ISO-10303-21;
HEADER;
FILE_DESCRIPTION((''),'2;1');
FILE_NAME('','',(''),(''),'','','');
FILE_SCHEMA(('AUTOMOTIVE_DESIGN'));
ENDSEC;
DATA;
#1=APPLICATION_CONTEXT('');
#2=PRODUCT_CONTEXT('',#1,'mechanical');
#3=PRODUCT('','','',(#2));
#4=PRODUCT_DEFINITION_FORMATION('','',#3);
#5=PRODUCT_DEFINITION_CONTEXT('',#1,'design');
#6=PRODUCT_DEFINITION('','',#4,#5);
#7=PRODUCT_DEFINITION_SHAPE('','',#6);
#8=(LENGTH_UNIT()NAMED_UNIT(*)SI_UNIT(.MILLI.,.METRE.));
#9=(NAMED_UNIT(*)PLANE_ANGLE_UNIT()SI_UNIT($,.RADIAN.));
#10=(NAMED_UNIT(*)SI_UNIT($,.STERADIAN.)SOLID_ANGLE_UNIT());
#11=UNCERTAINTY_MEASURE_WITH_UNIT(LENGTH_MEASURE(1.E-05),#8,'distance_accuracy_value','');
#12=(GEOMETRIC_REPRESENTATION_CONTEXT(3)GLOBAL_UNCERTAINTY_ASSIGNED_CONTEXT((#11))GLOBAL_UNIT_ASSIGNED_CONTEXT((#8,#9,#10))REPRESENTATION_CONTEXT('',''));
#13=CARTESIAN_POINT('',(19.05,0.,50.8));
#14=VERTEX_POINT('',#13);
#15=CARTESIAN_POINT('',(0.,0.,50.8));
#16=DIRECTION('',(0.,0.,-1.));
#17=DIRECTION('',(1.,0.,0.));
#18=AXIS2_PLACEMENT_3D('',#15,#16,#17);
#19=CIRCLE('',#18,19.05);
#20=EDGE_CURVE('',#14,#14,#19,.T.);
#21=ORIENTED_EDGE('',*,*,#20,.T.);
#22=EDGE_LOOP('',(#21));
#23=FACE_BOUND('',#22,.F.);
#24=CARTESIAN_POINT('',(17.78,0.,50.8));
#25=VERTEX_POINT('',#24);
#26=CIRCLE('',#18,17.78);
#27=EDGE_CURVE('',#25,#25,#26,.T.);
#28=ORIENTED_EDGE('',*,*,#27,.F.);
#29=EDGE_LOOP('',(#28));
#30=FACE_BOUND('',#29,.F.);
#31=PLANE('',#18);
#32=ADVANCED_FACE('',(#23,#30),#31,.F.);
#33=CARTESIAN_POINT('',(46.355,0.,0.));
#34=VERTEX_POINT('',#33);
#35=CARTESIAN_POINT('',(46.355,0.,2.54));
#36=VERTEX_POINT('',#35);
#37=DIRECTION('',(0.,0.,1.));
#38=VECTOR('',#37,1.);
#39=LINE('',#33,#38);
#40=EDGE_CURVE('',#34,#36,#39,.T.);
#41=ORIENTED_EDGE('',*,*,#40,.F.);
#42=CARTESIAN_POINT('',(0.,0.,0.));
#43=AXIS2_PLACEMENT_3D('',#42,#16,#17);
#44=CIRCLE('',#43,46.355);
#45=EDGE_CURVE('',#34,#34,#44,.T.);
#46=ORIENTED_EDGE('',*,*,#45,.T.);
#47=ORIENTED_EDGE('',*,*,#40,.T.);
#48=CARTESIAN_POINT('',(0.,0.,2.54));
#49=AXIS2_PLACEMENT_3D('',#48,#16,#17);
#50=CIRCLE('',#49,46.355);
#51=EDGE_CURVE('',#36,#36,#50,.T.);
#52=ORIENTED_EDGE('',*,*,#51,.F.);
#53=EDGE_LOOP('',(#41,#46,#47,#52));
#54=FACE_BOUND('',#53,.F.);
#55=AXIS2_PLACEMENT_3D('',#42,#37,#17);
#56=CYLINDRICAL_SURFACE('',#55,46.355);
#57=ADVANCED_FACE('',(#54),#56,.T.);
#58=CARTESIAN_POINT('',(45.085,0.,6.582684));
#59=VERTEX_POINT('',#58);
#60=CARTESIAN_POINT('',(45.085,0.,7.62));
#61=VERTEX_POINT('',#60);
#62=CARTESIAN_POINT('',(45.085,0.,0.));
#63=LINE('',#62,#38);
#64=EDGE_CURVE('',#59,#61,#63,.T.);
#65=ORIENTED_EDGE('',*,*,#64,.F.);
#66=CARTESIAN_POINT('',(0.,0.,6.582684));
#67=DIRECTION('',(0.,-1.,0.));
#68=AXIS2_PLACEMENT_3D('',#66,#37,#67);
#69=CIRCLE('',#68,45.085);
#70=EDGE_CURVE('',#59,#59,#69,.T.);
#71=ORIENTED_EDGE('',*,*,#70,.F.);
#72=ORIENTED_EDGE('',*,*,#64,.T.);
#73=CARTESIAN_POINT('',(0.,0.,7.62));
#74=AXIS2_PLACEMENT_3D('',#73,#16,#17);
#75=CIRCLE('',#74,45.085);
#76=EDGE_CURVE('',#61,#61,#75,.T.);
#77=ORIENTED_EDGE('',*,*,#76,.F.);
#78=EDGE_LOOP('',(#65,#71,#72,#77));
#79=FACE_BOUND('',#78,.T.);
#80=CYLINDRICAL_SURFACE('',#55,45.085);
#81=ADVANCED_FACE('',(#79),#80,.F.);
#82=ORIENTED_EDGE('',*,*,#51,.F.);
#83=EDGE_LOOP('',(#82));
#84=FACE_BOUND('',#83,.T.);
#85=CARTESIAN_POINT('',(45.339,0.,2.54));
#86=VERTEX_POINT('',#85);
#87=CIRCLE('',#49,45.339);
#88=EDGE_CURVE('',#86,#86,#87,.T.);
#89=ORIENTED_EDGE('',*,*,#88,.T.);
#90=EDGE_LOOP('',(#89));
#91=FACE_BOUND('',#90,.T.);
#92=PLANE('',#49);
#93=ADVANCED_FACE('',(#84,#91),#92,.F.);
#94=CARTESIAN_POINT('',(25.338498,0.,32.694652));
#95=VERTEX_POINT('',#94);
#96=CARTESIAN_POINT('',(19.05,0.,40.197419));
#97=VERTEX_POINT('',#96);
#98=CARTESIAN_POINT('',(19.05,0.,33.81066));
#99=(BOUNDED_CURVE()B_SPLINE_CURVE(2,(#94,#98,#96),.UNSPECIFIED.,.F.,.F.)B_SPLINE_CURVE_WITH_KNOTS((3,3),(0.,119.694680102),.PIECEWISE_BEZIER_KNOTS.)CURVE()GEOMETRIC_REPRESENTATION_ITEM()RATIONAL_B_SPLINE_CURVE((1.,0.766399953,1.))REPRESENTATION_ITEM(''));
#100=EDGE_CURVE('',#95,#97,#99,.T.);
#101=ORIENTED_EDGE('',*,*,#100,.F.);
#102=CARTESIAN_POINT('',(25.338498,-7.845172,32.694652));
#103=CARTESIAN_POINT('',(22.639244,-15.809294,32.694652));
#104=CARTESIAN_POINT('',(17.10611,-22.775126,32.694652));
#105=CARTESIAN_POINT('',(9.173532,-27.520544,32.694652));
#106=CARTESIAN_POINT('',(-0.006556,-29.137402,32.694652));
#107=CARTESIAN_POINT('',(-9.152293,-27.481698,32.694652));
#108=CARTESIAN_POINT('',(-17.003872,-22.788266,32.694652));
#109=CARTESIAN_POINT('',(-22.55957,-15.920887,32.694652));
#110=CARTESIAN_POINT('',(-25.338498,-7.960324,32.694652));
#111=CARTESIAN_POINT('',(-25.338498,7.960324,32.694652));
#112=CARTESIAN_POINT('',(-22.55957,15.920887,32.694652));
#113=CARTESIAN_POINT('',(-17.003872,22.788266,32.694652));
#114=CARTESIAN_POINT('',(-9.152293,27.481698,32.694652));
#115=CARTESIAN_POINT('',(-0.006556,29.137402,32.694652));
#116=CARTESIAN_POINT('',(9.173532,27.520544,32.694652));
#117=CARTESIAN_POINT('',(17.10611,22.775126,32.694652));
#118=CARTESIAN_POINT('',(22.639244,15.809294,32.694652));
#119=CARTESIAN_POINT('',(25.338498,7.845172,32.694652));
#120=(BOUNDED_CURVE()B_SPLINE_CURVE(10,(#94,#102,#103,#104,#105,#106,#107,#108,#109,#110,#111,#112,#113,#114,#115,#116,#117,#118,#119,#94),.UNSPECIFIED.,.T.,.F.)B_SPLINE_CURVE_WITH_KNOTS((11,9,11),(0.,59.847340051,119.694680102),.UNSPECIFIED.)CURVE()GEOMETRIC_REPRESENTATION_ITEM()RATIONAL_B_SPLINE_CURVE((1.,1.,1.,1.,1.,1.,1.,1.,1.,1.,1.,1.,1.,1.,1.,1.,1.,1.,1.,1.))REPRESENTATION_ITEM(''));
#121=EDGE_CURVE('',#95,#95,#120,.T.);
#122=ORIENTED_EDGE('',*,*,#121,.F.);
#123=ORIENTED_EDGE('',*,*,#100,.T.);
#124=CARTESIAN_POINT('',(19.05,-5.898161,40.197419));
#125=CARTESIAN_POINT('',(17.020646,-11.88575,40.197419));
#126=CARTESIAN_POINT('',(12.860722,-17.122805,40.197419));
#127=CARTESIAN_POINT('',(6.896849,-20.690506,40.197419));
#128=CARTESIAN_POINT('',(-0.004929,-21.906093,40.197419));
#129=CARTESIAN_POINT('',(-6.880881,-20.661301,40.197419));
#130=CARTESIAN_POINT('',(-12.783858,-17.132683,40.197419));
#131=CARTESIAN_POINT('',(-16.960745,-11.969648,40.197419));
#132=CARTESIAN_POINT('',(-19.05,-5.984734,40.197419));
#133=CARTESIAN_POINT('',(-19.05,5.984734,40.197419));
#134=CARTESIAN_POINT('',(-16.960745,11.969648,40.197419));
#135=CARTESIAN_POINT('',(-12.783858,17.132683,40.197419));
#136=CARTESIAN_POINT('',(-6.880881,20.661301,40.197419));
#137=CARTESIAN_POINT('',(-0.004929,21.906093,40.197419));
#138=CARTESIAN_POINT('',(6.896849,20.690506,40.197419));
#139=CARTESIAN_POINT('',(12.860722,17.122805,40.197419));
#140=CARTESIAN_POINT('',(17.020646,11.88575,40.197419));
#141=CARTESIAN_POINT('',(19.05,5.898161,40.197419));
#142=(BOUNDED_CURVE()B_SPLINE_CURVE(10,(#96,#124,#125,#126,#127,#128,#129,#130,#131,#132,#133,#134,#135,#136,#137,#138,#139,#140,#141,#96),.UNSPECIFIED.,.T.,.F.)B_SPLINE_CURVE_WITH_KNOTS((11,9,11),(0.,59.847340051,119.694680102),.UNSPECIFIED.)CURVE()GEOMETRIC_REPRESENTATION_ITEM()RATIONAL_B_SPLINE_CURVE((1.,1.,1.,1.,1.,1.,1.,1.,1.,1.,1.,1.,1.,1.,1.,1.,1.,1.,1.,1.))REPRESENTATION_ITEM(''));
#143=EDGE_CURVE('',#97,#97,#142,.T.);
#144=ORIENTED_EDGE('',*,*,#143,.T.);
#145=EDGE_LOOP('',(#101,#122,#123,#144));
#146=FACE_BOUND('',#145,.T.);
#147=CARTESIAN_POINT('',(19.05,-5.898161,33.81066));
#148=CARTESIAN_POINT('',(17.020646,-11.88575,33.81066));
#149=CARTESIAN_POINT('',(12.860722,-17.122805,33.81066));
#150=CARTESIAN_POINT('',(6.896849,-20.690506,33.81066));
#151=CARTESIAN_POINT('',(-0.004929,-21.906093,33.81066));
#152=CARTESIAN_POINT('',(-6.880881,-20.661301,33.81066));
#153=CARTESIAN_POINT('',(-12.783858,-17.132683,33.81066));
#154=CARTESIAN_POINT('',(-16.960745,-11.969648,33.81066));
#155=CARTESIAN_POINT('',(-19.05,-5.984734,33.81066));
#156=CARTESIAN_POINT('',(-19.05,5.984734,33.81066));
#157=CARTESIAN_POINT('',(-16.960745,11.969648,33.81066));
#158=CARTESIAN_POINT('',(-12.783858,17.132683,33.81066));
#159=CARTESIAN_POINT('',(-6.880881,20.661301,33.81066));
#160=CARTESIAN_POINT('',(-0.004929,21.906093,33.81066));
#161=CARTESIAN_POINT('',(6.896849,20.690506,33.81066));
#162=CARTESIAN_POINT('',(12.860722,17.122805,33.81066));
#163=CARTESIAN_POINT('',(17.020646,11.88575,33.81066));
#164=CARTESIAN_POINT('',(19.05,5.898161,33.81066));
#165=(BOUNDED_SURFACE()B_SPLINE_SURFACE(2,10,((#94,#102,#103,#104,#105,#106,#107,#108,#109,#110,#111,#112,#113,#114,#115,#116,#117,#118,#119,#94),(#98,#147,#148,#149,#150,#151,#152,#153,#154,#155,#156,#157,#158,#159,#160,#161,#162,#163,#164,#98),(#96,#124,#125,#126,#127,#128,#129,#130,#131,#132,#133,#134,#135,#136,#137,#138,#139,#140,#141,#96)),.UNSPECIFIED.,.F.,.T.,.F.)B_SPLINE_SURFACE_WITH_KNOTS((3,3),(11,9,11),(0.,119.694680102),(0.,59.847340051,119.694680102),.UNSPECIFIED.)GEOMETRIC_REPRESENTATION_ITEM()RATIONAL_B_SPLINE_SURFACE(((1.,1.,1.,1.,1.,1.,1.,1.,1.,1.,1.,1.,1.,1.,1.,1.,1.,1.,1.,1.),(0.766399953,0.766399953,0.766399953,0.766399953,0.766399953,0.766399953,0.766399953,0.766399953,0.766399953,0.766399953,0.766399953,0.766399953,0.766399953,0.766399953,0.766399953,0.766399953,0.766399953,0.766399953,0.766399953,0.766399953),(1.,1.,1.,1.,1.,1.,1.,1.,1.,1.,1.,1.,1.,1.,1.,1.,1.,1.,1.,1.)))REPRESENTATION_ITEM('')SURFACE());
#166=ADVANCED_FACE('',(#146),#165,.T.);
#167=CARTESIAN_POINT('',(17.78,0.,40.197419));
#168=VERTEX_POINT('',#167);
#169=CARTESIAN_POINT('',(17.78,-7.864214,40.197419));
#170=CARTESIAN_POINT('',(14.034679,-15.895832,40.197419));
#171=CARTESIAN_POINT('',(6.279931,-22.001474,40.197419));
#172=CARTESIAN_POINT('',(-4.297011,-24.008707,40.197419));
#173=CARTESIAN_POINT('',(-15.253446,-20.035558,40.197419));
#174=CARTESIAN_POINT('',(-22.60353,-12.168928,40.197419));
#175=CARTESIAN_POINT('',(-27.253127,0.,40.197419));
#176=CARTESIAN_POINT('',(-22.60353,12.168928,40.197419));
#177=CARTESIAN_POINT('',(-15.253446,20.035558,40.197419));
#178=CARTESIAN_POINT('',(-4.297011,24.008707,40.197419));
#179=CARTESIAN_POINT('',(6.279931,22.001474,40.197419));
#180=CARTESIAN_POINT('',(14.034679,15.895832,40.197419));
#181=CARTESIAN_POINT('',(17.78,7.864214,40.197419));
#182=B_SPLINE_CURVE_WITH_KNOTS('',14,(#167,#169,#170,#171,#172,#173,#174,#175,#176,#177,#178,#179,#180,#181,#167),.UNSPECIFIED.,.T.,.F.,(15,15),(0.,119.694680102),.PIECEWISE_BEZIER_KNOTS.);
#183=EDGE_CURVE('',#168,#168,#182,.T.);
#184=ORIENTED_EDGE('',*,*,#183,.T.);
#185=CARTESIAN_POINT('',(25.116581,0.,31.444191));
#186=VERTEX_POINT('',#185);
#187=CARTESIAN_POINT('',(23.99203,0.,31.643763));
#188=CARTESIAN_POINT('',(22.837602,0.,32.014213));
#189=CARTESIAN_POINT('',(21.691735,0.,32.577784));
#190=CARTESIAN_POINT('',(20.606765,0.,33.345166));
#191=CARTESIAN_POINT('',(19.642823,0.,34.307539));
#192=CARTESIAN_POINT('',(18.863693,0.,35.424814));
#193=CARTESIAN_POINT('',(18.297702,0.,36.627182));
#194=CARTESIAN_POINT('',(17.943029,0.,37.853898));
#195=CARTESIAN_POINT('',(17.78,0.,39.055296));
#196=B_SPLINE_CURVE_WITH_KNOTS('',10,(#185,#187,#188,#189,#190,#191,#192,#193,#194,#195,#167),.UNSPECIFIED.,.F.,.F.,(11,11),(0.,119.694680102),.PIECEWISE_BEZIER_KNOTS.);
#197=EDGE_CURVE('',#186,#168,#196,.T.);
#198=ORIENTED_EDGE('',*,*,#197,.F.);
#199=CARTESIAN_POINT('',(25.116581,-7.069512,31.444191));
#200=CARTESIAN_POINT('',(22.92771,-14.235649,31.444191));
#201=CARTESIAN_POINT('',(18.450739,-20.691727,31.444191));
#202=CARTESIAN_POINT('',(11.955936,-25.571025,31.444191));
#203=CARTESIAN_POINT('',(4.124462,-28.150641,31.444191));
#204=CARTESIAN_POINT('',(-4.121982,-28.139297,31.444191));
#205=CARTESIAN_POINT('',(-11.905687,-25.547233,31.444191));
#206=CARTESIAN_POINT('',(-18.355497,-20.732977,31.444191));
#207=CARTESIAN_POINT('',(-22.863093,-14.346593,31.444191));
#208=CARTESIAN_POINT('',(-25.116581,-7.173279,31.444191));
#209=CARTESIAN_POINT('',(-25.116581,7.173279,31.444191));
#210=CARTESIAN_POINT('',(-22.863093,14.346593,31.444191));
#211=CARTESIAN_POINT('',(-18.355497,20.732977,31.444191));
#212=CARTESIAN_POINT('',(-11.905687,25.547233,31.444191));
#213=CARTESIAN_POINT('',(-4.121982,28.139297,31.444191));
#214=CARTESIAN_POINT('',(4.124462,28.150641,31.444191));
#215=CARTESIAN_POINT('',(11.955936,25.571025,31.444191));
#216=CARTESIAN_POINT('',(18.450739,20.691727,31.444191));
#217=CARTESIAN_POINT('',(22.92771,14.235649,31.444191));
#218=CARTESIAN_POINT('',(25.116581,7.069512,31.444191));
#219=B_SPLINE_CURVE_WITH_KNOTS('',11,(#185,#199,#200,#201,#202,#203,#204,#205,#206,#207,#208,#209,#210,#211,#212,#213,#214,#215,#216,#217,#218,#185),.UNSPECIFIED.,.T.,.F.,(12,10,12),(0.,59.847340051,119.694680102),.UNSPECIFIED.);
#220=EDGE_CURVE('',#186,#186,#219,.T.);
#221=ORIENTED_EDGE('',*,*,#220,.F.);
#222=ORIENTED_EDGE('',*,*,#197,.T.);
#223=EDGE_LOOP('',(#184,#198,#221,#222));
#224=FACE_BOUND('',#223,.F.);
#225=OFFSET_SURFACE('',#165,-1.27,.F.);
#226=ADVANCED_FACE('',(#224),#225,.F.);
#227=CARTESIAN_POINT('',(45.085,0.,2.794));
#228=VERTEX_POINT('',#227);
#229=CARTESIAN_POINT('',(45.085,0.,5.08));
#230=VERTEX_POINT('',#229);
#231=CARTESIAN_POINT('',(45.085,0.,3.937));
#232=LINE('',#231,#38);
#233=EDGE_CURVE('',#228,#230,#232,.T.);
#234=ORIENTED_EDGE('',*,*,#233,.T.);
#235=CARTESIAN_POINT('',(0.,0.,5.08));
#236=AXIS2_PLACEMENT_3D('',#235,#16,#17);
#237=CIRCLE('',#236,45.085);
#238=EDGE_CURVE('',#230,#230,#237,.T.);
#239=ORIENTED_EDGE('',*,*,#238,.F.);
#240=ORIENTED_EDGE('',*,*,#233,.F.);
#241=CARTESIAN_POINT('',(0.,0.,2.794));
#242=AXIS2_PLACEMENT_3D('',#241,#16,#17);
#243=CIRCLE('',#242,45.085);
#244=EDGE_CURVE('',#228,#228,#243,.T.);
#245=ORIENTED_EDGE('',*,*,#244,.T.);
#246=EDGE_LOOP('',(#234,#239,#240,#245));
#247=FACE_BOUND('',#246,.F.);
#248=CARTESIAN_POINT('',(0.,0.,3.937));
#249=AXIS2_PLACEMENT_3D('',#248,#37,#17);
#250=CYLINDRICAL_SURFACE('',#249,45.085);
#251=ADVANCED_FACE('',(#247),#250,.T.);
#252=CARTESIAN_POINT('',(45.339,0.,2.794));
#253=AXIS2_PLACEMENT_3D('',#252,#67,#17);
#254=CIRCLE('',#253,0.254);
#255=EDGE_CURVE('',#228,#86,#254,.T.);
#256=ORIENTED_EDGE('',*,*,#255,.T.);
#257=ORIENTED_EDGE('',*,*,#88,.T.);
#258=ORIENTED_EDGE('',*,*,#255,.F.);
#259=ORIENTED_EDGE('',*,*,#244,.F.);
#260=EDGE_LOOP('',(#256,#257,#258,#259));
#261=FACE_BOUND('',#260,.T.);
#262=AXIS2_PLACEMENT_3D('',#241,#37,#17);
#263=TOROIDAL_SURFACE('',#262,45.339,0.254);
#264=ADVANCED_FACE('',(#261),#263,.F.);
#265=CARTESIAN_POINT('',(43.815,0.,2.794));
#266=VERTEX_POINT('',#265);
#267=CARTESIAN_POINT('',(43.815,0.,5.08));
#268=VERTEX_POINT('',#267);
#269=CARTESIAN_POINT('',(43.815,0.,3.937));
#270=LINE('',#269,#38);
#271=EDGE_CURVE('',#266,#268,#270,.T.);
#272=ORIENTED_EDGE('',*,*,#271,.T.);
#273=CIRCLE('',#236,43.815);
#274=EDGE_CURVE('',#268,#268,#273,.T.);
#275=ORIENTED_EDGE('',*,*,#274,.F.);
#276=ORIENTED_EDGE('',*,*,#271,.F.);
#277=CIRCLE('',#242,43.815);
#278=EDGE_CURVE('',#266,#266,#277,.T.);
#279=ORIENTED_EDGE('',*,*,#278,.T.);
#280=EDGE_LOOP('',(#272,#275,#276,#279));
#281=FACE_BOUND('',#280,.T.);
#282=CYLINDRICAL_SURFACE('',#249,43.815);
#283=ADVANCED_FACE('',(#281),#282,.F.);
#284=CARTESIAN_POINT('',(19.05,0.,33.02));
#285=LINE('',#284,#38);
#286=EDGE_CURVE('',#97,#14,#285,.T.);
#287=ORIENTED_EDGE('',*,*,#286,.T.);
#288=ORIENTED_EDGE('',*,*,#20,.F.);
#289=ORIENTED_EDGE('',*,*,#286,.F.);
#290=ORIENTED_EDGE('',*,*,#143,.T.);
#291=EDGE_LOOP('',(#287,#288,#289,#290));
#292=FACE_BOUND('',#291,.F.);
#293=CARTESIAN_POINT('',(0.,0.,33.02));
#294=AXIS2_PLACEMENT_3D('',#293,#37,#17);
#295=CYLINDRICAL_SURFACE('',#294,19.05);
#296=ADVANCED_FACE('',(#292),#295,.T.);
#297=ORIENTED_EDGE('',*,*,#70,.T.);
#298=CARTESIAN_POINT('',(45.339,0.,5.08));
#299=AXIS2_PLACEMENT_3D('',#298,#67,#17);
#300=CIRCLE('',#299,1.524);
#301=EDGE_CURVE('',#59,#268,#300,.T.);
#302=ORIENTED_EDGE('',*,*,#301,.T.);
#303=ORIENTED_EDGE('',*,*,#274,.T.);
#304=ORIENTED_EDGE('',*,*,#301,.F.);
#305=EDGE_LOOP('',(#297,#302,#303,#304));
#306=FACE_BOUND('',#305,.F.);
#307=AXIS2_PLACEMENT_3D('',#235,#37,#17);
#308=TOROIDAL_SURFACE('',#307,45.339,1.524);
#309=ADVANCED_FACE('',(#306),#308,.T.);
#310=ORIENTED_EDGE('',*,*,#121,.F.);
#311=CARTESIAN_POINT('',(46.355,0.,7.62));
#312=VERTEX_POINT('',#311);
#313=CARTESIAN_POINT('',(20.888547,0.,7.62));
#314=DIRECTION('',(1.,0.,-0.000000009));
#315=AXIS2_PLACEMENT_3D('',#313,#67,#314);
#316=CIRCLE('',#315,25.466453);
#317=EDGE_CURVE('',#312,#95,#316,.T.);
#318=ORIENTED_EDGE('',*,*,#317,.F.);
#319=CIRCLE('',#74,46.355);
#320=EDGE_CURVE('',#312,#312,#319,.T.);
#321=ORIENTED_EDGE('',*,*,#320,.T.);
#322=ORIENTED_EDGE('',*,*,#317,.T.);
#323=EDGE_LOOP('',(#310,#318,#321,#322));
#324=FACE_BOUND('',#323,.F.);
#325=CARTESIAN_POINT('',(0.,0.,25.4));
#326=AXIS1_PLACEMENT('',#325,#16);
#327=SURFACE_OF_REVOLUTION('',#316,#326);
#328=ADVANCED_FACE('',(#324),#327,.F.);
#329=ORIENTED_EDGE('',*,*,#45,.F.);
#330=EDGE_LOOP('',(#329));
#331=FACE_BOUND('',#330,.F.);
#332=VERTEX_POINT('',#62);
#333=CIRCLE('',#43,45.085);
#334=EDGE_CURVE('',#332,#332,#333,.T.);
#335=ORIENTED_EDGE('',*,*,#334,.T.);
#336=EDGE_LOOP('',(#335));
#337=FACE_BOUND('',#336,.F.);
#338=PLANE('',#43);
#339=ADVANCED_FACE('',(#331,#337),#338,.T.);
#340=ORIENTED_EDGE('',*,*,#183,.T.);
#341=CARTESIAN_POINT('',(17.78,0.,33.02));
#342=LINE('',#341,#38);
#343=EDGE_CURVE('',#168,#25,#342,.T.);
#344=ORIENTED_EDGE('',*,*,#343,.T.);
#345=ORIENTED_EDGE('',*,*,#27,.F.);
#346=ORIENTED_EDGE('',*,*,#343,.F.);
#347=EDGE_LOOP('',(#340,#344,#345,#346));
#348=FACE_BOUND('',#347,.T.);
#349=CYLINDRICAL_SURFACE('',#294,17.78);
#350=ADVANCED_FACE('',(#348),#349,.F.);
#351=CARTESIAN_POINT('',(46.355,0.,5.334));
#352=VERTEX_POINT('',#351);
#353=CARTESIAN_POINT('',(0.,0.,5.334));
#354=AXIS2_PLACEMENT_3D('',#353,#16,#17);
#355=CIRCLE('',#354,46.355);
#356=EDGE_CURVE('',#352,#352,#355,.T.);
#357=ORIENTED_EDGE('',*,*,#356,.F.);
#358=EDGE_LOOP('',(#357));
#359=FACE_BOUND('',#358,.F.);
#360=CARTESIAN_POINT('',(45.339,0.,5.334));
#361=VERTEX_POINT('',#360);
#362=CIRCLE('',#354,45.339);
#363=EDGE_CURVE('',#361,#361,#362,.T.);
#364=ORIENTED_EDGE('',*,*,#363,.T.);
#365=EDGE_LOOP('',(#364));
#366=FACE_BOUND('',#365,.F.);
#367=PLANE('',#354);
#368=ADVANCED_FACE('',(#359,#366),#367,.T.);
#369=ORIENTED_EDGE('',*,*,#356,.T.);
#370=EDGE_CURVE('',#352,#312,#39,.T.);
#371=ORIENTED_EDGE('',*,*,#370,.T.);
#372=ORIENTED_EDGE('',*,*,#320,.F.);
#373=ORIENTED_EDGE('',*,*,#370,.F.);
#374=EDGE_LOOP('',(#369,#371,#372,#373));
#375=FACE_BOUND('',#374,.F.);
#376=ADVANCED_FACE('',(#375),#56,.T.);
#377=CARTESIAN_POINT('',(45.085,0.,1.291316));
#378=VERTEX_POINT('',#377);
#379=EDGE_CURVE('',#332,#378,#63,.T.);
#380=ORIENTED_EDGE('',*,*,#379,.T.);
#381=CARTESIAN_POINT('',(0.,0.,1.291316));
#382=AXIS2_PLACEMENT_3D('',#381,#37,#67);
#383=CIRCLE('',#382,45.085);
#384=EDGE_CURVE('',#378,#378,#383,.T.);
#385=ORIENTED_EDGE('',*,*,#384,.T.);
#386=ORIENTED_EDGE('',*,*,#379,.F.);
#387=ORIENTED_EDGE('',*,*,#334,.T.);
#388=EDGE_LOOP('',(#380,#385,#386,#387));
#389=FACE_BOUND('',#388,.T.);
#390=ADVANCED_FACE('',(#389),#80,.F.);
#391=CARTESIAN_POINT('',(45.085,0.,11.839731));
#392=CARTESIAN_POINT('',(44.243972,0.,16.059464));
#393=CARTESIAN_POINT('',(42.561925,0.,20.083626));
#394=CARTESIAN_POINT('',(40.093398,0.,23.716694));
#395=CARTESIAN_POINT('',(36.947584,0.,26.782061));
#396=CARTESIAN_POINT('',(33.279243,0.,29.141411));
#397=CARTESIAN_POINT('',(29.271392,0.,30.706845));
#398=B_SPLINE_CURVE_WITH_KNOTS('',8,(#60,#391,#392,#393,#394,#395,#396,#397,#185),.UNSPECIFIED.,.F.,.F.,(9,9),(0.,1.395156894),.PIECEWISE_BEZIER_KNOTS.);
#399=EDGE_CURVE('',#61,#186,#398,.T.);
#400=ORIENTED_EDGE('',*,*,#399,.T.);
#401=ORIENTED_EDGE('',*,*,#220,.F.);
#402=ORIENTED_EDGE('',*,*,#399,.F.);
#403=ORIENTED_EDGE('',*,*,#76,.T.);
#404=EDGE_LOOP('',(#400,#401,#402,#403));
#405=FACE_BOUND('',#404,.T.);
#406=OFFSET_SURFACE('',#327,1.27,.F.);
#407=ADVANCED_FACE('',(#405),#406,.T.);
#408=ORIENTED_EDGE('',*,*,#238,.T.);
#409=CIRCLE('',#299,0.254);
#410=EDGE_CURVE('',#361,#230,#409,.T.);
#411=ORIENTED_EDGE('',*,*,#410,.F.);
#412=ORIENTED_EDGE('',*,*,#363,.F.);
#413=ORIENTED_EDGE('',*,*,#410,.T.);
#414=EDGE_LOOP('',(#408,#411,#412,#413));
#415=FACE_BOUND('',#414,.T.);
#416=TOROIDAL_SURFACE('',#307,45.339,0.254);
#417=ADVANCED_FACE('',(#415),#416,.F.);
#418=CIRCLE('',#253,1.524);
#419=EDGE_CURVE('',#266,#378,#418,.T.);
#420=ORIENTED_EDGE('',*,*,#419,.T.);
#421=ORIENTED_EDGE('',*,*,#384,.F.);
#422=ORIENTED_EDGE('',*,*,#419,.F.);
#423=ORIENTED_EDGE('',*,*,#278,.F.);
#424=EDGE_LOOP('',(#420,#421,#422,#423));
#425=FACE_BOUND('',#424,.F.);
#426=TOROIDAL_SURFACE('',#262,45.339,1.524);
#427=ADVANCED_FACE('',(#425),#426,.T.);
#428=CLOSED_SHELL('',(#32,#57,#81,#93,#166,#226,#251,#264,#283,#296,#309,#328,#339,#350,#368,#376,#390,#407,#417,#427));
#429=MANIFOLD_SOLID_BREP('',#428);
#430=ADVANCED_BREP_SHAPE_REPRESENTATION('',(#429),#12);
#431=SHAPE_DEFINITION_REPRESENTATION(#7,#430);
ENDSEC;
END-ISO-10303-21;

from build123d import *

# Parameters (mm, degrees)
F2_R = 7.62
F4_W = 1.27
F4_H = 2.794
F6_R = 0.254
F7_T = -1.27


with BuildPart() as f1:
    # F0 (on Front) → F1 (revolve)
    with BuildSketch(Plane.XZ):
        with BuildLine():
            Line((0, 50.8), (0, 0))
            Line((0, 0), (46.355, 0))
            Line((46.355, 0), (46.355, 7.62))
            ThreePointArc((46.355, 7.62), (38.233848, 26.2662), (19.05, 33.02))
            Line((19.05, 33.02), (19.05, 50.8))
            Line((19.05, 50.8), (0, 50.8))
        make_face()
    revolve(axis=Axis((0, 0, 25.4), (0, 0, -1)))

    # F2
    f2_edges = [f1.edges().sort_by_distance(p)[0] for p in [
        (-19.05, 0, 33.02),
    ]]
    fillet(f2_edges, radius=F2_R)

    # F4 (on Front) → F5 (revolve, cut)
    with BuildSketch(Plane.XZ):
        with Locations((45.72, 3.937)):
            Rectangle(F4_W, F4_H)
    revolve(axis=Axis((0, 0, 25.4), (0, 0, -1)), mode=Mode.SUBTRACT)

    # F6
    f6_edges = [f1.edges().sort_by_distance(p)[0] for p in [
        (-45.085, 0, 5.334),
        (-45.085, 0, 2.54),
        (45.085, 0, 3.937),
    ]]
    fillet(f6_edges, radius=F6_R)

    # F7
    f7_openings = [f1.faces().sort_by_distance(p)[0] for p in [
        (0, 0, 0),
        (0, 0, 50.8),
    ]]
    offset(amount=F7_T, openings=f7_openings)


solid = f1.part
